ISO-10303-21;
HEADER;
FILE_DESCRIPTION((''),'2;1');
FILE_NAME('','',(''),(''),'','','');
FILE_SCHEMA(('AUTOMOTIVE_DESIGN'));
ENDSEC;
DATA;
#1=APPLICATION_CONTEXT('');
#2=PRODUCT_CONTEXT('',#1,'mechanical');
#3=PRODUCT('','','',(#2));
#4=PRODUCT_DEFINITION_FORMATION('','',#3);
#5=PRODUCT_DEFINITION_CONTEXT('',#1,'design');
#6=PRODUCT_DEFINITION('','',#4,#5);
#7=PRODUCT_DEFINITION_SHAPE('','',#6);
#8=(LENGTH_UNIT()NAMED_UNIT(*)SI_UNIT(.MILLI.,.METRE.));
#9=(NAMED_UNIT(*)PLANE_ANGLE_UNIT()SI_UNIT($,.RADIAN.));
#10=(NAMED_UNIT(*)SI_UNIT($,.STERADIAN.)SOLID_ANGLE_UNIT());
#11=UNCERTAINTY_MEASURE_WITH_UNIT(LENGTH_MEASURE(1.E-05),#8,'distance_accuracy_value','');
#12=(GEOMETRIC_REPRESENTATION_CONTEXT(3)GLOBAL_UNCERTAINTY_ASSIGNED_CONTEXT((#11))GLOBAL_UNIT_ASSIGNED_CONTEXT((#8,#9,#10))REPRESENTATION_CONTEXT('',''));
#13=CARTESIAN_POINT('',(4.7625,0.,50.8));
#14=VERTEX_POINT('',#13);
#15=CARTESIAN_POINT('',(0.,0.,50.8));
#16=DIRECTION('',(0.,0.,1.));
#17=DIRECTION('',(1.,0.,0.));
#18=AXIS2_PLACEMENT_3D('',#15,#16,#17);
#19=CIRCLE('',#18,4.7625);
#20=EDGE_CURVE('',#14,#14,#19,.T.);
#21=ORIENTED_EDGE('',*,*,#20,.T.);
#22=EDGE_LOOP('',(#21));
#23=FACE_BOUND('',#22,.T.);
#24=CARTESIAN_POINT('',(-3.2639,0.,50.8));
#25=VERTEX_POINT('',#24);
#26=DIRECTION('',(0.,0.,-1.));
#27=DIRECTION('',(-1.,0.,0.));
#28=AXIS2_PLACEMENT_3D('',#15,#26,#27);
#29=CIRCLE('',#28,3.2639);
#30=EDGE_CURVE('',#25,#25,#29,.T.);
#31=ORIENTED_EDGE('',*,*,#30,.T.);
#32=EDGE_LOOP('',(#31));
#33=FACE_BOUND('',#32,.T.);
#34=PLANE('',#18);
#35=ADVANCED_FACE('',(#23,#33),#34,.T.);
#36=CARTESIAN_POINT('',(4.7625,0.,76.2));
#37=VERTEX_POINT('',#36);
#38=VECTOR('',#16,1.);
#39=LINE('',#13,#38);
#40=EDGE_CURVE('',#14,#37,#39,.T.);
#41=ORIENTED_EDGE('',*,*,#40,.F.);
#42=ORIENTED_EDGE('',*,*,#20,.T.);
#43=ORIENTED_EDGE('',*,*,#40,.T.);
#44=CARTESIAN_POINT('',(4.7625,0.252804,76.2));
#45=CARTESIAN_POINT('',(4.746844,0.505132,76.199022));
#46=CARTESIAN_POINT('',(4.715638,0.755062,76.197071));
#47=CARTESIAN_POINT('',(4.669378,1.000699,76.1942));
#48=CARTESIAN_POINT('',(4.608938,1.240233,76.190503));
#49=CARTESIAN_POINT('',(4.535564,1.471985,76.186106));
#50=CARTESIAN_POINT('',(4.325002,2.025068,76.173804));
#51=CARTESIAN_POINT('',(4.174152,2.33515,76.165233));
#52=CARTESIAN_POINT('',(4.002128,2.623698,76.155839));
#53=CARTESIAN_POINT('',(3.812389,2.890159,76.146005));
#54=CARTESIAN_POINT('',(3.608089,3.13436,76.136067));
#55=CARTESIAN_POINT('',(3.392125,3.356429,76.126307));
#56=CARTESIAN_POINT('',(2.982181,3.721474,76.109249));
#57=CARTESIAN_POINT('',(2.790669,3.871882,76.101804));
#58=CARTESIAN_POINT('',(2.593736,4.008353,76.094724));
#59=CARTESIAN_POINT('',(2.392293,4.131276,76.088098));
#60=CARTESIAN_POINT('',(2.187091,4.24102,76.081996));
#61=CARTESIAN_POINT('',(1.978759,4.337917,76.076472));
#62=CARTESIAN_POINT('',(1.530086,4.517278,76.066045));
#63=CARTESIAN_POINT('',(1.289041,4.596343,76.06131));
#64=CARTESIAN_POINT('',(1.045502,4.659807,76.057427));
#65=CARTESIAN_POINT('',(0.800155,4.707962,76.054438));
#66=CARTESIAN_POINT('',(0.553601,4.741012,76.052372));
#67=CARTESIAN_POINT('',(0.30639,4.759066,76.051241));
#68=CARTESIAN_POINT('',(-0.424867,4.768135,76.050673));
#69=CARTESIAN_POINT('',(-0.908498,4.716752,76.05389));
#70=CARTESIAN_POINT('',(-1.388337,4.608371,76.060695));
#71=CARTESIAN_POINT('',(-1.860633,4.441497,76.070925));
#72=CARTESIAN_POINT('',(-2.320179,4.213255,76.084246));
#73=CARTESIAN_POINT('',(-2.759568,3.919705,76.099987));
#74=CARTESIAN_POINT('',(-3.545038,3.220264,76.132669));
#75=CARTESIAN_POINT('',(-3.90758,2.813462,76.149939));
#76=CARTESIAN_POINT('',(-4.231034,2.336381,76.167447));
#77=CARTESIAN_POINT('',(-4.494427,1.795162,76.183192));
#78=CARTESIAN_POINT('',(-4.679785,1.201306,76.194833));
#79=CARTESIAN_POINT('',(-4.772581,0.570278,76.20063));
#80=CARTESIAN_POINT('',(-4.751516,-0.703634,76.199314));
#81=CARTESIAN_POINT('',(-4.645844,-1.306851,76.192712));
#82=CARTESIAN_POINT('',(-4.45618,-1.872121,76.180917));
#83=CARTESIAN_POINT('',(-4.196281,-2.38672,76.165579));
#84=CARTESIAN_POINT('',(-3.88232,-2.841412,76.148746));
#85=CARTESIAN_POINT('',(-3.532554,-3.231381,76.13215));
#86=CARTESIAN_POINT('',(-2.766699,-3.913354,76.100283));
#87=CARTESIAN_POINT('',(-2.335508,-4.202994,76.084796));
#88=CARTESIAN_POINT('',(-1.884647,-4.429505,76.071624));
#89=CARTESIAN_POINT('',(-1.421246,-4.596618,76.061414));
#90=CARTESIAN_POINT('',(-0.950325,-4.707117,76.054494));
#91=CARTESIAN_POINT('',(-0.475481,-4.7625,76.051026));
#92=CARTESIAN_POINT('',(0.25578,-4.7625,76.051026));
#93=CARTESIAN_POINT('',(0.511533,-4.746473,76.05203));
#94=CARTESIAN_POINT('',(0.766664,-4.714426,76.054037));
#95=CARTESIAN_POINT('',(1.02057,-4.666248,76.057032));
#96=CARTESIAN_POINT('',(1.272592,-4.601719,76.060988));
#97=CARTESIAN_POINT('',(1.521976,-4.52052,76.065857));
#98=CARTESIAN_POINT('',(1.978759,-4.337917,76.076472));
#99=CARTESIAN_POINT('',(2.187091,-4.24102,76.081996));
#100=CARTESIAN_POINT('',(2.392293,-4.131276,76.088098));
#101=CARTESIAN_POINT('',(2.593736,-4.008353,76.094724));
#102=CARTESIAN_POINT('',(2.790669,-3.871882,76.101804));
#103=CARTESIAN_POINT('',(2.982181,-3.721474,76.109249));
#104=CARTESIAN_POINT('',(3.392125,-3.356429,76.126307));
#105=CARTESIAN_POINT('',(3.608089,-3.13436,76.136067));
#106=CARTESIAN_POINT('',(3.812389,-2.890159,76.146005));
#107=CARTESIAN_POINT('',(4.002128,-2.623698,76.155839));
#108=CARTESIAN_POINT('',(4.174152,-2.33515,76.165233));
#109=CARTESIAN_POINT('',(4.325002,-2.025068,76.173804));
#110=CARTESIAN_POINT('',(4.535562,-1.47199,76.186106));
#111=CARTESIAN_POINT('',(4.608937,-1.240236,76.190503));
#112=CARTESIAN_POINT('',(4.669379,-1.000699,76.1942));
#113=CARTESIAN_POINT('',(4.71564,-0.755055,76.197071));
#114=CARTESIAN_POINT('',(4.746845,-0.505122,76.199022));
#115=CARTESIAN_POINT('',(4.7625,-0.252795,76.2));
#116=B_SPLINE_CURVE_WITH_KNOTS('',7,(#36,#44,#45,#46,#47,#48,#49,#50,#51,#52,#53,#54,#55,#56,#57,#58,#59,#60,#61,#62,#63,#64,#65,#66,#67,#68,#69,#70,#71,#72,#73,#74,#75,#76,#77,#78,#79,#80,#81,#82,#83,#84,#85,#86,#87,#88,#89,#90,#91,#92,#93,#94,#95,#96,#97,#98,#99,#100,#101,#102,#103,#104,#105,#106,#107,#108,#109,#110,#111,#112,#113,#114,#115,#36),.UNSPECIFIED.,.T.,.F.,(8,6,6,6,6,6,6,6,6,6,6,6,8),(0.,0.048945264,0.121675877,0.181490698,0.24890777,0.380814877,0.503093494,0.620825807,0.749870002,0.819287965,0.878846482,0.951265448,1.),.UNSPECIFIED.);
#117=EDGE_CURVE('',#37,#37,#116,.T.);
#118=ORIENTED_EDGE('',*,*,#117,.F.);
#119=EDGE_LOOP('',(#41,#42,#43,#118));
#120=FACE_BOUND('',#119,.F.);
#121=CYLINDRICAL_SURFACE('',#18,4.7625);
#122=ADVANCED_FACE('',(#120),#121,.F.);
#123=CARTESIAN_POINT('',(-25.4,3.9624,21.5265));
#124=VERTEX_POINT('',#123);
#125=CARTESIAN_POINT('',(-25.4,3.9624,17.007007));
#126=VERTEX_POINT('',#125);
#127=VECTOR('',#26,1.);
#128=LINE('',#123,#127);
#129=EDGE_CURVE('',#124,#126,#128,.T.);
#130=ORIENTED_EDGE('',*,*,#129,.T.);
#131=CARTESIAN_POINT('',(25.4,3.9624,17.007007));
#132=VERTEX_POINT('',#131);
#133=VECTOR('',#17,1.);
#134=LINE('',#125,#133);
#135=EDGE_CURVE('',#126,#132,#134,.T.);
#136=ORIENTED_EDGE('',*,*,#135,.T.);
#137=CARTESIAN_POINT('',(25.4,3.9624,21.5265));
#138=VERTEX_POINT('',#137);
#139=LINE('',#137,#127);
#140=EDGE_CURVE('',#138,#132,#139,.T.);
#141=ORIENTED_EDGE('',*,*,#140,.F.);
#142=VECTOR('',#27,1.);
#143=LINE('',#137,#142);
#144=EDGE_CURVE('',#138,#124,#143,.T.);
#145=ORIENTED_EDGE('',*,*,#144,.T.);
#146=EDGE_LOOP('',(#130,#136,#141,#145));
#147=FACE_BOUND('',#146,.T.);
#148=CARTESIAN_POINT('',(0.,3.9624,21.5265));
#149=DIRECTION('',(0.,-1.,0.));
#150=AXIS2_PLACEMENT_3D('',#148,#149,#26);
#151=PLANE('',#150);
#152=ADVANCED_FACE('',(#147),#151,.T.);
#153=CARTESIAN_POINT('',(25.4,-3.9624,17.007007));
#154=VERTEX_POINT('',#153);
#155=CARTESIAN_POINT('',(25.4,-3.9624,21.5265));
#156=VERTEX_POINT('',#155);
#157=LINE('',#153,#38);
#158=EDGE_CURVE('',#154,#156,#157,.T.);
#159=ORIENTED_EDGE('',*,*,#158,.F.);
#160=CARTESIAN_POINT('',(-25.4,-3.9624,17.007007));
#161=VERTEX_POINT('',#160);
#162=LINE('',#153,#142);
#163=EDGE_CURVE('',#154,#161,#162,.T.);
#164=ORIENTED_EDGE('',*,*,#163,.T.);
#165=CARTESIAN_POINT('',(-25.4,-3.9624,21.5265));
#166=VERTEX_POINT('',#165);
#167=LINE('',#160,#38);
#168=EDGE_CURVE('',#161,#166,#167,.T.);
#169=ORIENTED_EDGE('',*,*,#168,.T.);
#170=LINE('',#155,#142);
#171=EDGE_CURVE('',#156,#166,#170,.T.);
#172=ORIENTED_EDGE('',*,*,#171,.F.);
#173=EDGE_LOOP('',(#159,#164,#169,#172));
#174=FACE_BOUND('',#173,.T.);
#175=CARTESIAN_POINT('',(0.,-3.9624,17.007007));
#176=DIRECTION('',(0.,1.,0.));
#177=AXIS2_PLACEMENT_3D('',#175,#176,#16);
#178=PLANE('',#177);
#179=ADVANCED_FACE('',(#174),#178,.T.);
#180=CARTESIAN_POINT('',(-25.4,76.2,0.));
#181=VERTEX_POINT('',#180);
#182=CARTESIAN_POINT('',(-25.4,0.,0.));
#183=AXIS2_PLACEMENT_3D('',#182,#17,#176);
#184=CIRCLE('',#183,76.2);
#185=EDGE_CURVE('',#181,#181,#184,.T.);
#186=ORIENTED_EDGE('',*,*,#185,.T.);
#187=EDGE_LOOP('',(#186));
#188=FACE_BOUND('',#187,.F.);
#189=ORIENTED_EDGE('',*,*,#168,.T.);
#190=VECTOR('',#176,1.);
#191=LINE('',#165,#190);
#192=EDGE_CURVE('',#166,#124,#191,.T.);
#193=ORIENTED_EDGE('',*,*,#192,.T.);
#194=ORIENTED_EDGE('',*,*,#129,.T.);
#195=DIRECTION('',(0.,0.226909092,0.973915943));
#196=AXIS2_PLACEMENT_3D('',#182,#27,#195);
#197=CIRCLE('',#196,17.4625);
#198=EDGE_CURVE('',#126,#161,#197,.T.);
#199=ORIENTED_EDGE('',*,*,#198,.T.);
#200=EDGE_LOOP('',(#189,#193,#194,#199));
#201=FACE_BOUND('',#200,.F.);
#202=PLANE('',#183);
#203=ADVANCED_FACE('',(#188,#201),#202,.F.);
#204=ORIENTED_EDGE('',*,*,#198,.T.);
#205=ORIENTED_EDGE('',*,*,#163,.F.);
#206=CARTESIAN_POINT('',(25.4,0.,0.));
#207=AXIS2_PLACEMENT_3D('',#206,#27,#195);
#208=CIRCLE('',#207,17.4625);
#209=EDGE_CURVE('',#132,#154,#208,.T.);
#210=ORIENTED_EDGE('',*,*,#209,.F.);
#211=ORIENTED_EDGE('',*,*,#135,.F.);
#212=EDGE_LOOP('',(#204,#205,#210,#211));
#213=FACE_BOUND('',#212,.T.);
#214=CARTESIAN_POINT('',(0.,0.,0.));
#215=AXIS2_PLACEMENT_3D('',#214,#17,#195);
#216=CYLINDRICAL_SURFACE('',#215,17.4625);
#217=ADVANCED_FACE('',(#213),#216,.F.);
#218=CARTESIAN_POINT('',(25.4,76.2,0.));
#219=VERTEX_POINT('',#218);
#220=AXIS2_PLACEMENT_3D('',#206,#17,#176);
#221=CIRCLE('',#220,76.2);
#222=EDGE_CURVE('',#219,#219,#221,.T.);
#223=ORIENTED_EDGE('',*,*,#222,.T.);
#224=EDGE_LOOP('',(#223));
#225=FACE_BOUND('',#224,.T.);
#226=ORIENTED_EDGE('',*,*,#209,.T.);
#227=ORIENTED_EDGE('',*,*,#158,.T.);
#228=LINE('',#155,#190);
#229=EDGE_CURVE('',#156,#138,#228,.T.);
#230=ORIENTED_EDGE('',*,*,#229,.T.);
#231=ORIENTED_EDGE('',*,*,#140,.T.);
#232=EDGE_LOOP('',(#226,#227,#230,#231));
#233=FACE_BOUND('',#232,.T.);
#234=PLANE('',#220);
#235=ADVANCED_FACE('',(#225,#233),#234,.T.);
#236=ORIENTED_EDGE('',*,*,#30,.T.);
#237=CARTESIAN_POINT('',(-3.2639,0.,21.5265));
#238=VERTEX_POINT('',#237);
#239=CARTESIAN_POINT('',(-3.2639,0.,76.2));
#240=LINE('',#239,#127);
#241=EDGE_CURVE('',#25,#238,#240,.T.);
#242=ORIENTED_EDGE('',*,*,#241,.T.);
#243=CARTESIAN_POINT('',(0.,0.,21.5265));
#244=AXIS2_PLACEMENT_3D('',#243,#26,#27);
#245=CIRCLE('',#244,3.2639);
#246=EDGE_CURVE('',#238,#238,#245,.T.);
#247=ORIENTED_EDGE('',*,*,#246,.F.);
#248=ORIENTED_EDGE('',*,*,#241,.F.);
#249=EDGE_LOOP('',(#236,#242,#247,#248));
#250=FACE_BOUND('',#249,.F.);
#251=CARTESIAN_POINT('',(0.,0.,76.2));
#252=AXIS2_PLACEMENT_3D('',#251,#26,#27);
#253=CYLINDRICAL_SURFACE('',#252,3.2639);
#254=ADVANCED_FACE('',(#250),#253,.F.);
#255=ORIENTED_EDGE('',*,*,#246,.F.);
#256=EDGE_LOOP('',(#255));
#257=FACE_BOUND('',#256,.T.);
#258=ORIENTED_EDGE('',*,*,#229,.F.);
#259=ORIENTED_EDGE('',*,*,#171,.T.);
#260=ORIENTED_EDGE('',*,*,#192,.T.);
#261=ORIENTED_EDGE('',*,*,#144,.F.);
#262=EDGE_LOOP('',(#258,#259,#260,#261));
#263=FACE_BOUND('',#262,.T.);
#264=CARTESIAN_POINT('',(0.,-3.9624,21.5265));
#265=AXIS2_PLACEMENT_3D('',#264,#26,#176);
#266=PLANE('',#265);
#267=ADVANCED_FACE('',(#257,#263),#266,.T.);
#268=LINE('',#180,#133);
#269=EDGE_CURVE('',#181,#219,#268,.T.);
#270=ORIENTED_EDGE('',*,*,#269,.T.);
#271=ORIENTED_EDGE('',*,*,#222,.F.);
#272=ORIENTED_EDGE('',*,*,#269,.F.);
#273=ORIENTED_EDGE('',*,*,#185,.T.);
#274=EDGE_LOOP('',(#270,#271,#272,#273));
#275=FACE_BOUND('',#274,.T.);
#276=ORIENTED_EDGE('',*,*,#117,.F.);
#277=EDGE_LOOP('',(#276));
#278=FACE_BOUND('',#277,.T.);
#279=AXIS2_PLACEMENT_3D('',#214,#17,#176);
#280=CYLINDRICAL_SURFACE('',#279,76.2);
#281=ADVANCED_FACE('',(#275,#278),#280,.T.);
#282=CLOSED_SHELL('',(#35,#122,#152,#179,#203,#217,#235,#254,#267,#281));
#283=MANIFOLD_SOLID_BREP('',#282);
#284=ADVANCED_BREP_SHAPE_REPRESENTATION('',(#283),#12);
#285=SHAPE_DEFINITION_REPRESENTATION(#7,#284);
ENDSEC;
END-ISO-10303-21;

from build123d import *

# Parameters (mm, degrees)
F0_R           = 76.2
F1_DEPTH       = 25.4
F4_D           = 6.5278
F4_DEPTH       = 76.2
F4_CBORE_D     = 9.525
F4_CBORE_DEPTH = 25.4


with BuildPart() as f1:
    # F0 (on Right) → F1 (new body, symmetric)
    with BuildSketch(Plane.YZ):
        Circle(F0_R)
        with BuildLine():
            ThreePointArc((3.9624, 17.007007), (0, -17.4625), (-3.9624, 17.007007))
            Line((-3.9624, 17.007007), (-3.9624, 21.5265))
            Line((-3.9624, 21.5265), (3.9624, 21.5265))
            Line((3.9624, 21.5265), (3.9624, 17.007007))
        make_face(mode=Mode.SUBTRACT)
    extrude(amount=F1_DEPTH, both=True)

    # F4
    with Locations(Plane.XY.offset(76.2)):
        with Locations((0, 0)):
            CounterBoreHole(F4_D / 2, F4_CBORE_D / 2, F4_CBORE_DEPTH, depth=F4_DEPTH)


solid = f1.part
